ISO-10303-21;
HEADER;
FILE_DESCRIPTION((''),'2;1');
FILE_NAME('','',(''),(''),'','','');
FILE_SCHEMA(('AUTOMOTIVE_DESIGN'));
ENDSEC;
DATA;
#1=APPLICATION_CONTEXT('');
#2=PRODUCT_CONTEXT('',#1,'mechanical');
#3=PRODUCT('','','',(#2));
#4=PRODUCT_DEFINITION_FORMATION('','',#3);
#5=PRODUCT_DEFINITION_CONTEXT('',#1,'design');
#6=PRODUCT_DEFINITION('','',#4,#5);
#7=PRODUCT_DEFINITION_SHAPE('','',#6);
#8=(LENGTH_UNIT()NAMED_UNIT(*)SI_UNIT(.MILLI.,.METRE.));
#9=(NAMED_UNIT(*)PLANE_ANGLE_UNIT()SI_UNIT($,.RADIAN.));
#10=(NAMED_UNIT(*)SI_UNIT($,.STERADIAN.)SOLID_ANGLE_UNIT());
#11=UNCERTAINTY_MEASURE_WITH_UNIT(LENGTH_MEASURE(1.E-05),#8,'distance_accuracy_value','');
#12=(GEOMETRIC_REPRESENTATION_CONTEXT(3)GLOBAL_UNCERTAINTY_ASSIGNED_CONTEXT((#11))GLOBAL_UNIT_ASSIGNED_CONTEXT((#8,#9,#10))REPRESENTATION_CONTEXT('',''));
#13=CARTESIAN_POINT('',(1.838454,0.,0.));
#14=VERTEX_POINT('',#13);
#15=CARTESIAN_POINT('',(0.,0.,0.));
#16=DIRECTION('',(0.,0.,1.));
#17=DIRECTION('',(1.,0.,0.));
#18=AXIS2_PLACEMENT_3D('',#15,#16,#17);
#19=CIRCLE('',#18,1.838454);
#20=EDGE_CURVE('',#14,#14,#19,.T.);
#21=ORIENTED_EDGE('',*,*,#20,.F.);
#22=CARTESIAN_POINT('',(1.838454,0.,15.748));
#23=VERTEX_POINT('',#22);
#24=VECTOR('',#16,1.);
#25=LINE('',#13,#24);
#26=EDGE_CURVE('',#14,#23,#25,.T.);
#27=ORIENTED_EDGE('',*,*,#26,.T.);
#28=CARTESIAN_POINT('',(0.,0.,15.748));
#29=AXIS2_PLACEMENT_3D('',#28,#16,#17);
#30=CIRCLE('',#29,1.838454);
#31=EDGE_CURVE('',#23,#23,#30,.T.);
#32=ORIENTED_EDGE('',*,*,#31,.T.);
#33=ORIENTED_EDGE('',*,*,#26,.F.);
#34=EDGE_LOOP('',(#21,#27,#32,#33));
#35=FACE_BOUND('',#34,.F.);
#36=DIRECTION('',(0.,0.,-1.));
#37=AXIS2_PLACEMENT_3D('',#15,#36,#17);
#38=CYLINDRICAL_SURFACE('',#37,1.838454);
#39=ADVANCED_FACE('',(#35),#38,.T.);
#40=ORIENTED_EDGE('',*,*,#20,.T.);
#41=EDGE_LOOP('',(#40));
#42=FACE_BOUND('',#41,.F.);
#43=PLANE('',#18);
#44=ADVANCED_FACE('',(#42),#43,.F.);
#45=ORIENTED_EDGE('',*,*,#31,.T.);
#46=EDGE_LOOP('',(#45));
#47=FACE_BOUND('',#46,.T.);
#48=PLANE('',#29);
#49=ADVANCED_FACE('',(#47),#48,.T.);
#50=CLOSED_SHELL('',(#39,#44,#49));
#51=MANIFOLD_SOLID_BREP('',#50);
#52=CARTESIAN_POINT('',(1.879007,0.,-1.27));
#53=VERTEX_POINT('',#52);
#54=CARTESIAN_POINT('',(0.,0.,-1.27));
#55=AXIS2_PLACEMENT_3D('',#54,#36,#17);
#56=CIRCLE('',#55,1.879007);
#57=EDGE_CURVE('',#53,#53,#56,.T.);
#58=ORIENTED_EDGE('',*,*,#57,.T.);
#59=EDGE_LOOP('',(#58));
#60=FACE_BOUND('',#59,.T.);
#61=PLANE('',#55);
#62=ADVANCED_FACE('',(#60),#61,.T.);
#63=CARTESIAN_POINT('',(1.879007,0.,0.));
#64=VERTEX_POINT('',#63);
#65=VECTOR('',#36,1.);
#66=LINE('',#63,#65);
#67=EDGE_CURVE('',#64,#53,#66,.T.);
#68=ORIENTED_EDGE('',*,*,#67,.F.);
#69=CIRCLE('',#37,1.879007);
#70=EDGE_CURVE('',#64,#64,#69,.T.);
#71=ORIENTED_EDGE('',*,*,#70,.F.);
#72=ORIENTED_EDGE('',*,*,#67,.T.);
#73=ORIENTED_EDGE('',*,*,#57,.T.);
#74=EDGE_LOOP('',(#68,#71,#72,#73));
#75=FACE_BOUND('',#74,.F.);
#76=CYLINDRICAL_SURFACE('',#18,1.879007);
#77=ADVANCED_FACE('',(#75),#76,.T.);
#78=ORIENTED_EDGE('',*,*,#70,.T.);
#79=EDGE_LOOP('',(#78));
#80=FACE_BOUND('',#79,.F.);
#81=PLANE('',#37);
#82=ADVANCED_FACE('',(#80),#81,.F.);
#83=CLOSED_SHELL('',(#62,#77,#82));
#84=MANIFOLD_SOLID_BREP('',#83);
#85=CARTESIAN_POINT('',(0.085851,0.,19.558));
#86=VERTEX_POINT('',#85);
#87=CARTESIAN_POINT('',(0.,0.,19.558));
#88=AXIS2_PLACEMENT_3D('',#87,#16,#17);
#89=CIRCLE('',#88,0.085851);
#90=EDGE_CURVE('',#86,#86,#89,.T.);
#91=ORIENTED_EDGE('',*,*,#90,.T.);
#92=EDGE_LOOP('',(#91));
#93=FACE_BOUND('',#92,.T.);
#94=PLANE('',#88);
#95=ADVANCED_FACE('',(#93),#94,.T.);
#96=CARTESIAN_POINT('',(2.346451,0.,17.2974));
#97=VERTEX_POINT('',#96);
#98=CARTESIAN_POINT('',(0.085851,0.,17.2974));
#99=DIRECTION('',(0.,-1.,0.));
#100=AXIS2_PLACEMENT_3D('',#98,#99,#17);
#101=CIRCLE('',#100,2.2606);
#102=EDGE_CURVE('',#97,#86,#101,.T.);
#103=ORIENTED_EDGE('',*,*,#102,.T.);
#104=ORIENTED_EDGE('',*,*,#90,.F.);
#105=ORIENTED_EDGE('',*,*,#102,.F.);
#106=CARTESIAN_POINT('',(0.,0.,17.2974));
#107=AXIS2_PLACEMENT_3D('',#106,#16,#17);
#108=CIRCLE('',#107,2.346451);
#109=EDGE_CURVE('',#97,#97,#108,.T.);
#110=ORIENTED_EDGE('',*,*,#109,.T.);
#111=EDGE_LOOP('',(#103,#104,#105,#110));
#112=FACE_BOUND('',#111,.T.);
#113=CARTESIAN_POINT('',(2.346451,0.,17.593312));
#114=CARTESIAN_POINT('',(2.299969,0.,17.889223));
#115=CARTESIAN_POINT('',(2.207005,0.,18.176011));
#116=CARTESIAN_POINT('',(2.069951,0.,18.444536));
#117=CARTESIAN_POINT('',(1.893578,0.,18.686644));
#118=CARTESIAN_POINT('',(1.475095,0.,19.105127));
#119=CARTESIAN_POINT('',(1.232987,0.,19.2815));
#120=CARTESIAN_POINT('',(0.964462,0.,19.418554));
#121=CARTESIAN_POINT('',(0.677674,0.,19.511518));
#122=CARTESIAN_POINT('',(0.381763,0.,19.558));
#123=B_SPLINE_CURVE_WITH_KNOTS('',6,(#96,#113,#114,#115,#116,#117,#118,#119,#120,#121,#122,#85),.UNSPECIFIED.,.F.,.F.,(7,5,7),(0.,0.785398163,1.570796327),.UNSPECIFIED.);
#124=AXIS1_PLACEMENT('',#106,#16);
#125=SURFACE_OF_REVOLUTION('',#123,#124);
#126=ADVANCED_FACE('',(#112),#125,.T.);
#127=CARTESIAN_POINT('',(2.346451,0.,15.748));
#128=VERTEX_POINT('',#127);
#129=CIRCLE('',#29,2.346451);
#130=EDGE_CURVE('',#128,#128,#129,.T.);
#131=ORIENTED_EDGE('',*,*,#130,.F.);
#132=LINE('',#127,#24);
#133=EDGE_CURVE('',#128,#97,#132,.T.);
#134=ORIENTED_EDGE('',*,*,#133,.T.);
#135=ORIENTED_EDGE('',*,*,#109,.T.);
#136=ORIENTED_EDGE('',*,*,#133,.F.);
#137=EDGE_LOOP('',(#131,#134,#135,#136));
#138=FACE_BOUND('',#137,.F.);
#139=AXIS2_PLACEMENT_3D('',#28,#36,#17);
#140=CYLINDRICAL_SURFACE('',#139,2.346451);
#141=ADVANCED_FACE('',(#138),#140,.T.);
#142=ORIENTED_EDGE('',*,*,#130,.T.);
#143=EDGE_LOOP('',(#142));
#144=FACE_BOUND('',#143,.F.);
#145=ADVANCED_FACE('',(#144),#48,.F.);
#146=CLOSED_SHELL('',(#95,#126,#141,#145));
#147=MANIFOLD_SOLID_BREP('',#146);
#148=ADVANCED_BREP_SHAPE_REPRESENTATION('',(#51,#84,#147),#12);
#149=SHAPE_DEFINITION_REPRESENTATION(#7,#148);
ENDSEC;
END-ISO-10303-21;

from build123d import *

# Parameters (mm, degrees)
F0_R     = 1.838454
F1_DEPTH = 15.748
F2_R     = 2.346451
F3_DEPTH = 3.81
F4_R     = 2.2606
F5_R     = 1.879007
F6_DEPTH = 1.27


with BuildPart() as f1:
    # F0 (on Top) → F1 (new body)
    with BuildSketch(Plane.XY):
        Circle(F0_R)
    extrude(amount=F1_DEPTH)


with BuildPart() as f3:
    # F2 (on face) → F3 (new body)
    with BuildSketch(Plane.XY.offset(15.748)):
        Circle(F2_R)
    extrude(amount=F3_DEPTH)

    # F4
    f4_edges = [f3.edges().sort_by_distance(p)[0] for p in [
        (-2.346451, 0, 19.558),
    ]]
    fillet(f4_edges, radius=F4_R)


with BuildPart() as f6:
    # F5 (on face) → F6 (new body)
    with BuildSketch(Plane(origin=(0, 0, 0), x_dir=(1, 0, 0), z_dir=(0, 0, -1))):
        Circle(F5_R)
    extrude(amount=F6_DEPTH)


solid = Compound([f1.part, f3.part, f6.part])
